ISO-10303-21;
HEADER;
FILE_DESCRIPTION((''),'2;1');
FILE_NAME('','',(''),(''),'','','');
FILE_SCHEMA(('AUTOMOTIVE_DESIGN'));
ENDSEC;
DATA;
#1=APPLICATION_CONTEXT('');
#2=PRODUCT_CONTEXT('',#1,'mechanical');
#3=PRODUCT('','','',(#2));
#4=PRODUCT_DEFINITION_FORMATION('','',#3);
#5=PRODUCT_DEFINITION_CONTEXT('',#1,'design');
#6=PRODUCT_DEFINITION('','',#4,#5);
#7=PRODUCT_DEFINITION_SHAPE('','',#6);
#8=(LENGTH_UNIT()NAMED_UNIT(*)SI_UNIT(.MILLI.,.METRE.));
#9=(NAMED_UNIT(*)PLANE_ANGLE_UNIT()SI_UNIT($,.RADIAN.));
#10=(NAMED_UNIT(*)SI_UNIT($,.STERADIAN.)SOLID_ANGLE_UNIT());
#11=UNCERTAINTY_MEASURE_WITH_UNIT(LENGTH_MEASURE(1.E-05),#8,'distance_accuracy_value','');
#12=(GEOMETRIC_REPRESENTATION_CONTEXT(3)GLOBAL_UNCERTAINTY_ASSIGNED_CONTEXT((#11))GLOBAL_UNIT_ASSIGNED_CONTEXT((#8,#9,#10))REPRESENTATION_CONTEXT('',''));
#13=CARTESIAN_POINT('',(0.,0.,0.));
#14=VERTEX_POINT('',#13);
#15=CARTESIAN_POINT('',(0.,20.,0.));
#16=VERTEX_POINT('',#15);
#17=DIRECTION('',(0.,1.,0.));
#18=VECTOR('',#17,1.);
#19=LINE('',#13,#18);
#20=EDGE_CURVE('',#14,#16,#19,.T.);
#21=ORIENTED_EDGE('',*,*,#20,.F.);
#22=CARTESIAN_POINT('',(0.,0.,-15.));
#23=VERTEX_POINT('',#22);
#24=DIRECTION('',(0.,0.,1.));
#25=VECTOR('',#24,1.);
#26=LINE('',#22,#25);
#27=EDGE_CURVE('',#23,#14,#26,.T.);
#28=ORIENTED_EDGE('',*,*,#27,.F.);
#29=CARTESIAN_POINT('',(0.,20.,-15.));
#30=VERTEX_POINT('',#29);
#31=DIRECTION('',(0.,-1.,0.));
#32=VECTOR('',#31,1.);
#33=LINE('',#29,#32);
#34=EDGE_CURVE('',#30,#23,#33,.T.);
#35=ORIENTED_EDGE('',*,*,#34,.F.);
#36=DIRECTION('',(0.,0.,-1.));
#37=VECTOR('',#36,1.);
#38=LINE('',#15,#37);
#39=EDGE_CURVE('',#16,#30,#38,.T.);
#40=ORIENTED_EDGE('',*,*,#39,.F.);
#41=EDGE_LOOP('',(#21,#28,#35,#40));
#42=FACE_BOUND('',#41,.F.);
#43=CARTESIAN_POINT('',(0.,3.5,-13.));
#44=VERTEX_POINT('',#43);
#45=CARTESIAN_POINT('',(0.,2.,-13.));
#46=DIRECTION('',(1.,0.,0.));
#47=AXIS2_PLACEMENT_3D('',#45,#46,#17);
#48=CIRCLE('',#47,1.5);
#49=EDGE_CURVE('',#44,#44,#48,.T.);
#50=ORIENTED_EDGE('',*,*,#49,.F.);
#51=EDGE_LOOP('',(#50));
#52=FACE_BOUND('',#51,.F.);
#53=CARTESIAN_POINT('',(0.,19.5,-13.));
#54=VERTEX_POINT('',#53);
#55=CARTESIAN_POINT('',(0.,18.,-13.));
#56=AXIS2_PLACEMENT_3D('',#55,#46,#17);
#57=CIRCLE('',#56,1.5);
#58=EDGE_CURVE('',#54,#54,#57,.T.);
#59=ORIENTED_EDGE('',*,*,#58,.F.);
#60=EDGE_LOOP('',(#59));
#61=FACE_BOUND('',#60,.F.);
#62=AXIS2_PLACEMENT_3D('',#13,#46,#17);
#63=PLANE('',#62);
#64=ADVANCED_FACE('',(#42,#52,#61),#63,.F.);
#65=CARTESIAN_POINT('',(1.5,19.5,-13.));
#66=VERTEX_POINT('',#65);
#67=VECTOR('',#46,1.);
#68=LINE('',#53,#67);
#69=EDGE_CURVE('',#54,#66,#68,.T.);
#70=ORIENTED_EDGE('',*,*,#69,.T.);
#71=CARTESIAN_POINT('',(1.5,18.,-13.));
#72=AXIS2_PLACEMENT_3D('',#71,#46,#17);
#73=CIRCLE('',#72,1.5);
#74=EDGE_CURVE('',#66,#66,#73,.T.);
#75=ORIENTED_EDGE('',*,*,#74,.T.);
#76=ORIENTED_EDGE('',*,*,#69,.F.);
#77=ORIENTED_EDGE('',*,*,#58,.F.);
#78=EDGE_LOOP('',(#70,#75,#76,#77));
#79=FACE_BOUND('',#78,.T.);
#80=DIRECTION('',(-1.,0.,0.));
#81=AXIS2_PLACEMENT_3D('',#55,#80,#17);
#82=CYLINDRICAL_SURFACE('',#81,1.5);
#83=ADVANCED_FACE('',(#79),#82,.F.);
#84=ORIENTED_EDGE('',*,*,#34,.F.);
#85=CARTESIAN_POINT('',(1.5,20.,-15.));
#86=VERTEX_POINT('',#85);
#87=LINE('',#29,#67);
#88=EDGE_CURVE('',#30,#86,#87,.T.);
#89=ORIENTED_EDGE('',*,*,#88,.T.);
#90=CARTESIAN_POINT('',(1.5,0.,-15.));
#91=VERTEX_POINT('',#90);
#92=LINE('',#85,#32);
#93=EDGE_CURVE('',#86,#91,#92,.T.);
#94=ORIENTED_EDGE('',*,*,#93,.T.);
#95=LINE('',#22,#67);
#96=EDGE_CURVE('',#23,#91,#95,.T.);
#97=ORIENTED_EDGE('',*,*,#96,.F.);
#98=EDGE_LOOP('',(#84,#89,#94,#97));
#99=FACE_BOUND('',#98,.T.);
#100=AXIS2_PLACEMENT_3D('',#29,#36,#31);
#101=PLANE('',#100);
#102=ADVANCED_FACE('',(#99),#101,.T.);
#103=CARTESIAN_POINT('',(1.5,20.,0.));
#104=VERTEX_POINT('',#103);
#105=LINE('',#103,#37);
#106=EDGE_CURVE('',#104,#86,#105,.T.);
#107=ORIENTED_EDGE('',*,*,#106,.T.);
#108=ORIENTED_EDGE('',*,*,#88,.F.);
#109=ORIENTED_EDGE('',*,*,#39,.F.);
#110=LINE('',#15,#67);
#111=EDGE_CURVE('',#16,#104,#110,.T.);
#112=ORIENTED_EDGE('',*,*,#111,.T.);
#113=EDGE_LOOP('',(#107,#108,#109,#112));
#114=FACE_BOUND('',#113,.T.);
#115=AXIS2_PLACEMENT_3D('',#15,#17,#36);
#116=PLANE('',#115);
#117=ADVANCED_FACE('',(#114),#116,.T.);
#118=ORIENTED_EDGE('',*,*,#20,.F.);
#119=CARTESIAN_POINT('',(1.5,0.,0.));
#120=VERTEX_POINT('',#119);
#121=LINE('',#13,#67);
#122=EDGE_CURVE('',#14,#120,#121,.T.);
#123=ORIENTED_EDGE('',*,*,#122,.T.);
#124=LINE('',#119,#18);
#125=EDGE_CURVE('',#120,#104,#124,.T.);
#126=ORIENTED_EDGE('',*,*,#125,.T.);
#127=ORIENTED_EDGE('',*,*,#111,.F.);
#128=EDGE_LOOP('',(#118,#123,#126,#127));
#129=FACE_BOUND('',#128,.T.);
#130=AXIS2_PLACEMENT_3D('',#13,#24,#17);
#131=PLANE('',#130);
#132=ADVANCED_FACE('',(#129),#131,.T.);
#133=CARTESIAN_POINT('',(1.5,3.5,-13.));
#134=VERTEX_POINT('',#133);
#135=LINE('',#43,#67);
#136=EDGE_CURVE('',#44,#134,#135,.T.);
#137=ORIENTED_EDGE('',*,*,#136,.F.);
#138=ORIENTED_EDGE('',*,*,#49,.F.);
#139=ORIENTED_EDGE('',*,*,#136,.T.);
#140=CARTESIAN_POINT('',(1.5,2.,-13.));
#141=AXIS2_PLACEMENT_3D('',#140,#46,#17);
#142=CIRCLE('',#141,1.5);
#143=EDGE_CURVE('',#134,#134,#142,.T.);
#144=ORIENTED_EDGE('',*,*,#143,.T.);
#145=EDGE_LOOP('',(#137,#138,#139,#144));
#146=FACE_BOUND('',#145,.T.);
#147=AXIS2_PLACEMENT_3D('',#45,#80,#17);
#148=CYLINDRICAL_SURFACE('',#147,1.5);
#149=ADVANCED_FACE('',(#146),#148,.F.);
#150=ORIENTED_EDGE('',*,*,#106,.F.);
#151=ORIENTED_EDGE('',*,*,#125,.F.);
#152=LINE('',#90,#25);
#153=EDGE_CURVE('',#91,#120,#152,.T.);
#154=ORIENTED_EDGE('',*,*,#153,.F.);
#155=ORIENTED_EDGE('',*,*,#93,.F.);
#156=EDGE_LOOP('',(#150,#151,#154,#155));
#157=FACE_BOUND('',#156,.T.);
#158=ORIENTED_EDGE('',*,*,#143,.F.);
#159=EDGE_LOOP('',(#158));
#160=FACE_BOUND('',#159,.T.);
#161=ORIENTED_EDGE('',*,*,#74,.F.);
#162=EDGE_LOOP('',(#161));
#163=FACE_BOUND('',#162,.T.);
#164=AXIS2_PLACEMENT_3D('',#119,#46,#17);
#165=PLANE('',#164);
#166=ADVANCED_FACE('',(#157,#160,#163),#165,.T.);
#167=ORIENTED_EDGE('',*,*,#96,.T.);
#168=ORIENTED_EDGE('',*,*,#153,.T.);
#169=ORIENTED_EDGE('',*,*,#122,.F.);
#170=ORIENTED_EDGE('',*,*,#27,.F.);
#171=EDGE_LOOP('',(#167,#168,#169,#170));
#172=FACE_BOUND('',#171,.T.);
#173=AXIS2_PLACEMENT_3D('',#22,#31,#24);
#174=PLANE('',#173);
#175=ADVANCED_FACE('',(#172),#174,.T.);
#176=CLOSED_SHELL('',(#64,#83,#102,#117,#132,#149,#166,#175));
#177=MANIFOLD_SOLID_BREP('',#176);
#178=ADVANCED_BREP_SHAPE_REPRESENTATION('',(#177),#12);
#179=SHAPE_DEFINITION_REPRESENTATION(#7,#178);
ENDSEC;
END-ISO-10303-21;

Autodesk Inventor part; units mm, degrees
ref_plane "YZ Plane" through (0, 0, 0) normal (1, 0, 0) x (0, 1, 0)
ref_plane "XZ Plane" through (0, 0, 0) normal (0, 1, 0) x (-1, 0, 0)
ref_plane "XY Plane" through (0, 0, 0) normal (0, 0, 1) x (1, 0, 0)
sketch "Esquisse1" plane through (0, 0, 0) normal (1, 0, 0) x (0, 1, 0)
  line L0 (0, 0) -> (20, 0)
  line L1 (20, 0) -> (20, -15)
  line L2 (20, -15) -> (0, -15)
  line L3 (0, -15) -> (0, 0)
  circle A0 centre (18, -13) radius 1.5
  circle A1 centre (2, -13) radius 1.5
  dimension "d0" = 20
  dimension "d1" = 15
  dimension "d7" = 3
  dimension "d8" = 3
extrude "Extrusion1" add sketch "Esquisse1" along normal blind 1.5
properties part number "MPU6050"
